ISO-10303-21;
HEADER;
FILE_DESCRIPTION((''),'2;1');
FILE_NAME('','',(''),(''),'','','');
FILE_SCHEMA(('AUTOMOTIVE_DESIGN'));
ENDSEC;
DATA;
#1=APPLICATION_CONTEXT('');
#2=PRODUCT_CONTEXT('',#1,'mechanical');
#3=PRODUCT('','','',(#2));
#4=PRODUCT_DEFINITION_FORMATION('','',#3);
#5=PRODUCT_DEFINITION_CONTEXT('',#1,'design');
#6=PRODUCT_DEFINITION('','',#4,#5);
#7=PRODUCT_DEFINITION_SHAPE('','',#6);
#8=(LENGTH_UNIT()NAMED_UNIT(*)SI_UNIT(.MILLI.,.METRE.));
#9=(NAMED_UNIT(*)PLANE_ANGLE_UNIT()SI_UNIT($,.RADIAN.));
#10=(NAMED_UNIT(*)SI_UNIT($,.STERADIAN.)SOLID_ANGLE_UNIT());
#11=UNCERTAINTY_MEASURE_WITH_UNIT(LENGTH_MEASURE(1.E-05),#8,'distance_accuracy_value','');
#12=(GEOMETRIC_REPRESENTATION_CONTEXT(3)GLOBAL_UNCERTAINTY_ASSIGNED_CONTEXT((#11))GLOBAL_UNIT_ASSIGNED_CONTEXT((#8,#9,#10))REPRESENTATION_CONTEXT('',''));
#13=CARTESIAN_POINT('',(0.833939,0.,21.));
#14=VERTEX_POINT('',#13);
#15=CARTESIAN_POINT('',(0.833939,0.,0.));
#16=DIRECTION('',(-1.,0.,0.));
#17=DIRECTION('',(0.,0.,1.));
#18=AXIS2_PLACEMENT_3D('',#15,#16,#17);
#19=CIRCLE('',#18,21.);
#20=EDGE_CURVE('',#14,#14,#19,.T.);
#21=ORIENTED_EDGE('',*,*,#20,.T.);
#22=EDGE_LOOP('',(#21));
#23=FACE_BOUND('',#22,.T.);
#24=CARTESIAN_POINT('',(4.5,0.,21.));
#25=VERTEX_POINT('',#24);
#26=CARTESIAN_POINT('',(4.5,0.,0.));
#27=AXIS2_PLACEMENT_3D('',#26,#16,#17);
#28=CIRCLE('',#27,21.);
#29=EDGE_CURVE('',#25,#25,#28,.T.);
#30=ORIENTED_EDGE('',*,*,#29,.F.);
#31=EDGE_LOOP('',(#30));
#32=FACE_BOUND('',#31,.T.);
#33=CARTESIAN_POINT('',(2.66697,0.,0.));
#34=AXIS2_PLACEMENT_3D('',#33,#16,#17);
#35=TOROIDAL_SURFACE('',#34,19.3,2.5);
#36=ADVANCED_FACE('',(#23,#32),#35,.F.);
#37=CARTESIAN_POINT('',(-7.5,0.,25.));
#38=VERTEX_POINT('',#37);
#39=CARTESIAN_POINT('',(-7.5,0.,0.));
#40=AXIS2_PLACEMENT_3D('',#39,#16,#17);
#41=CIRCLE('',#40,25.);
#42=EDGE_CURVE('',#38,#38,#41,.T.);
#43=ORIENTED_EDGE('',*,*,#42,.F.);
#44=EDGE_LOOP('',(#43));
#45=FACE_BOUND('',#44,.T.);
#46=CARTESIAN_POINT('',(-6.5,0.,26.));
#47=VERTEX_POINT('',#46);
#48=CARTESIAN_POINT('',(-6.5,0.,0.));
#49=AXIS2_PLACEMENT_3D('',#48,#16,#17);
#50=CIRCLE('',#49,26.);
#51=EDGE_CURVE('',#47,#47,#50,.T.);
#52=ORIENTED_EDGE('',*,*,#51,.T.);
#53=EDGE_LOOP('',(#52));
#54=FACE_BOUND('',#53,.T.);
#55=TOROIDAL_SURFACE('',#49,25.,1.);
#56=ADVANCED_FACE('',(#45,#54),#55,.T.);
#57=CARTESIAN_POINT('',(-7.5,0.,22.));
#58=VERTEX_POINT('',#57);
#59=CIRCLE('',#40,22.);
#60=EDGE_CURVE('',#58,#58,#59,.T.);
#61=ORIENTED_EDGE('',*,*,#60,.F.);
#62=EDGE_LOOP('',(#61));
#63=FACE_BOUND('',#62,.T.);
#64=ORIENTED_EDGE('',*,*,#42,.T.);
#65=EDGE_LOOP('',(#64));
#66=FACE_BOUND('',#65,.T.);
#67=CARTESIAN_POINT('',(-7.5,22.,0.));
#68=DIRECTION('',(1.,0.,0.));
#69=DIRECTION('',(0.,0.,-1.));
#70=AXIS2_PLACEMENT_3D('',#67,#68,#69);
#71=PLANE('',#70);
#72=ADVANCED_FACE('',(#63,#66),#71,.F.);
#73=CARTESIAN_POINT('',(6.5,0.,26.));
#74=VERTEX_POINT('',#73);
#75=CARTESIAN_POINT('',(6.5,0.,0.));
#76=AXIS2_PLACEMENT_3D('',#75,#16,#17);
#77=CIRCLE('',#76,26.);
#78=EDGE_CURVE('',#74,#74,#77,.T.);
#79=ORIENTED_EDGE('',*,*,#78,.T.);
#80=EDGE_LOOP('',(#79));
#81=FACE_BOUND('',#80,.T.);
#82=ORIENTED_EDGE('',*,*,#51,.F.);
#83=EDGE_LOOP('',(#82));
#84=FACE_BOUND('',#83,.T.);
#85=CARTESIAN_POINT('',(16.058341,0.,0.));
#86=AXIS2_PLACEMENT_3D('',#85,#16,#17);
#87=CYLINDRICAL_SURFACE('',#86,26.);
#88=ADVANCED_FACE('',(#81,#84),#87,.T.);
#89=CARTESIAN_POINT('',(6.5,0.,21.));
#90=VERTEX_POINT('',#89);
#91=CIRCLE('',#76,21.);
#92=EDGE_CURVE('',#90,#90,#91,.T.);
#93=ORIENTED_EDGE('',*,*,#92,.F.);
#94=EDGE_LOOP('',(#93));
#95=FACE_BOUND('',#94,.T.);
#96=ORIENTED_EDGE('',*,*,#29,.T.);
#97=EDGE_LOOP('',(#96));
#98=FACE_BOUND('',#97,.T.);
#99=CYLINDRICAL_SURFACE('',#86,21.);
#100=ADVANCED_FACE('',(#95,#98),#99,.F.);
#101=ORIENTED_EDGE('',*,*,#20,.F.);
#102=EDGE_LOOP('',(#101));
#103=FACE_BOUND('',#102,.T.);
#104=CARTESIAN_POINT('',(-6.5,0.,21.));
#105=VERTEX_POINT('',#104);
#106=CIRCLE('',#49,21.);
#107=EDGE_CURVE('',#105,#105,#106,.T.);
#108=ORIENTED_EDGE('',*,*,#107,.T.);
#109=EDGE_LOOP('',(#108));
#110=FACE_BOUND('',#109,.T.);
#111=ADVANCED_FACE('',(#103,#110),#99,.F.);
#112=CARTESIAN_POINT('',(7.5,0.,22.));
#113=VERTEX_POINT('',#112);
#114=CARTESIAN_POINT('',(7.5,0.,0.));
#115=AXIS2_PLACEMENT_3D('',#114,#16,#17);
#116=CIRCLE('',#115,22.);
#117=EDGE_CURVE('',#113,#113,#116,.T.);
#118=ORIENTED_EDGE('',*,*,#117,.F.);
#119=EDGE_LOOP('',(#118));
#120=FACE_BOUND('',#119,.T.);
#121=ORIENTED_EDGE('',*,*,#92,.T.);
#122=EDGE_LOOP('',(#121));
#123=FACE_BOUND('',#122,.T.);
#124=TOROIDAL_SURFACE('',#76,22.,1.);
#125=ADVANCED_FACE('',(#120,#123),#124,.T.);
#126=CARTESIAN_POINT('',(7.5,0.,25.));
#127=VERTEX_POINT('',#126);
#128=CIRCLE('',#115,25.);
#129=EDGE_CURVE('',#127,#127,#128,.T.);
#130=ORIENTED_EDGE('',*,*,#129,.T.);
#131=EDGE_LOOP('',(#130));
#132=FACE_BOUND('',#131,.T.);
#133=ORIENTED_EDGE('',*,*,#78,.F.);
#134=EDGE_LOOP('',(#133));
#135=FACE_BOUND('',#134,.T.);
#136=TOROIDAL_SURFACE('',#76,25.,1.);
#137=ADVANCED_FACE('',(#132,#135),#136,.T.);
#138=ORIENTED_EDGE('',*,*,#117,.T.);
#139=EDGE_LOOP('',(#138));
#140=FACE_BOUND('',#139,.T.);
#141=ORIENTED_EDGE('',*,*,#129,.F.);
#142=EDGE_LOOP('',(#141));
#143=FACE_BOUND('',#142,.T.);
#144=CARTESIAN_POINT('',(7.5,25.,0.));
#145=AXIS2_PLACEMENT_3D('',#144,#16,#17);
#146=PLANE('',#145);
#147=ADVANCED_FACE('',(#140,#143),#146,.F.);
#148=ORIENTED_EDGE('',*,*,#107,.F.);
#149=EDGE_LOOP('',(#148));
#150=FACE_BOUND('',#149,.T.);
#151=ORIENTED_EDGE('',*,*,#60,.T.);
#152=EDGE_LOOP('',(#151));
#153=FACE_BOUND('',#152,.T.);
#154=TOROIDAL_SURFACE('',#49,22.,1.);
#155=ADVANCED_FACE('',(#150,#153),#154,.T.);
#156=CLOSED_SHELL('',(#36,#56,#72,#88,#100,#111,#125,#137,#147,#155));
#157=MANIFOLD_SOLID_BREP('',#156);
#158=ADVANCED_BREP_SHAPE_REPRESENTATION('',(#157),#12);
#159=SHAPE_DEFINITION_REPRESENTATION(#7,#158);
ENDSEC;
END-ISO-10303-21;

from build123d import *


with BuildPart() as part:
    # Sketch1 → Revolve1 (revolve)
    with BuildSketch(Plane.XY, mode=Mode.PRIVATE) as revolve1_sk:
        with BuildLine():
            Line((-7.5, 22), (-7.5, 25))
            ThreePointArc((-7.5, 25), (-7.207106781, 25.707106781), (-6.5, 26))
            Line((-6.5, 26), (6.5, 26))
            ThreePointArc((6.5, 26), (7.207106781, 25.707106781), (7.5, 25))
            Line((7.5, 25), (7.5, 22))
            ThreePointArc((7.5, 22), (7.207106781, 21.292893219), (6.5, 21))
            Line((6.5, 21), (4.5, 21))
            ThreePointArc((4.5, 21), (2.666969722, 21.8), (0.833939444, 21))
            Line((0.833939444, 21), (-6.5, 21))
            ThreePointArc((-6.5, 21), (-7.207106781, 21.292893219), (-7.5, 22))
        make_face()
    revolve(revolve1_sk.sketch.rotate(Axis((16.058340936, 0, 0), (1, 0, 0)), 90), axis=Axis((16.058340936, 0, 0), (1, 0, 0)))


solid = part.part
